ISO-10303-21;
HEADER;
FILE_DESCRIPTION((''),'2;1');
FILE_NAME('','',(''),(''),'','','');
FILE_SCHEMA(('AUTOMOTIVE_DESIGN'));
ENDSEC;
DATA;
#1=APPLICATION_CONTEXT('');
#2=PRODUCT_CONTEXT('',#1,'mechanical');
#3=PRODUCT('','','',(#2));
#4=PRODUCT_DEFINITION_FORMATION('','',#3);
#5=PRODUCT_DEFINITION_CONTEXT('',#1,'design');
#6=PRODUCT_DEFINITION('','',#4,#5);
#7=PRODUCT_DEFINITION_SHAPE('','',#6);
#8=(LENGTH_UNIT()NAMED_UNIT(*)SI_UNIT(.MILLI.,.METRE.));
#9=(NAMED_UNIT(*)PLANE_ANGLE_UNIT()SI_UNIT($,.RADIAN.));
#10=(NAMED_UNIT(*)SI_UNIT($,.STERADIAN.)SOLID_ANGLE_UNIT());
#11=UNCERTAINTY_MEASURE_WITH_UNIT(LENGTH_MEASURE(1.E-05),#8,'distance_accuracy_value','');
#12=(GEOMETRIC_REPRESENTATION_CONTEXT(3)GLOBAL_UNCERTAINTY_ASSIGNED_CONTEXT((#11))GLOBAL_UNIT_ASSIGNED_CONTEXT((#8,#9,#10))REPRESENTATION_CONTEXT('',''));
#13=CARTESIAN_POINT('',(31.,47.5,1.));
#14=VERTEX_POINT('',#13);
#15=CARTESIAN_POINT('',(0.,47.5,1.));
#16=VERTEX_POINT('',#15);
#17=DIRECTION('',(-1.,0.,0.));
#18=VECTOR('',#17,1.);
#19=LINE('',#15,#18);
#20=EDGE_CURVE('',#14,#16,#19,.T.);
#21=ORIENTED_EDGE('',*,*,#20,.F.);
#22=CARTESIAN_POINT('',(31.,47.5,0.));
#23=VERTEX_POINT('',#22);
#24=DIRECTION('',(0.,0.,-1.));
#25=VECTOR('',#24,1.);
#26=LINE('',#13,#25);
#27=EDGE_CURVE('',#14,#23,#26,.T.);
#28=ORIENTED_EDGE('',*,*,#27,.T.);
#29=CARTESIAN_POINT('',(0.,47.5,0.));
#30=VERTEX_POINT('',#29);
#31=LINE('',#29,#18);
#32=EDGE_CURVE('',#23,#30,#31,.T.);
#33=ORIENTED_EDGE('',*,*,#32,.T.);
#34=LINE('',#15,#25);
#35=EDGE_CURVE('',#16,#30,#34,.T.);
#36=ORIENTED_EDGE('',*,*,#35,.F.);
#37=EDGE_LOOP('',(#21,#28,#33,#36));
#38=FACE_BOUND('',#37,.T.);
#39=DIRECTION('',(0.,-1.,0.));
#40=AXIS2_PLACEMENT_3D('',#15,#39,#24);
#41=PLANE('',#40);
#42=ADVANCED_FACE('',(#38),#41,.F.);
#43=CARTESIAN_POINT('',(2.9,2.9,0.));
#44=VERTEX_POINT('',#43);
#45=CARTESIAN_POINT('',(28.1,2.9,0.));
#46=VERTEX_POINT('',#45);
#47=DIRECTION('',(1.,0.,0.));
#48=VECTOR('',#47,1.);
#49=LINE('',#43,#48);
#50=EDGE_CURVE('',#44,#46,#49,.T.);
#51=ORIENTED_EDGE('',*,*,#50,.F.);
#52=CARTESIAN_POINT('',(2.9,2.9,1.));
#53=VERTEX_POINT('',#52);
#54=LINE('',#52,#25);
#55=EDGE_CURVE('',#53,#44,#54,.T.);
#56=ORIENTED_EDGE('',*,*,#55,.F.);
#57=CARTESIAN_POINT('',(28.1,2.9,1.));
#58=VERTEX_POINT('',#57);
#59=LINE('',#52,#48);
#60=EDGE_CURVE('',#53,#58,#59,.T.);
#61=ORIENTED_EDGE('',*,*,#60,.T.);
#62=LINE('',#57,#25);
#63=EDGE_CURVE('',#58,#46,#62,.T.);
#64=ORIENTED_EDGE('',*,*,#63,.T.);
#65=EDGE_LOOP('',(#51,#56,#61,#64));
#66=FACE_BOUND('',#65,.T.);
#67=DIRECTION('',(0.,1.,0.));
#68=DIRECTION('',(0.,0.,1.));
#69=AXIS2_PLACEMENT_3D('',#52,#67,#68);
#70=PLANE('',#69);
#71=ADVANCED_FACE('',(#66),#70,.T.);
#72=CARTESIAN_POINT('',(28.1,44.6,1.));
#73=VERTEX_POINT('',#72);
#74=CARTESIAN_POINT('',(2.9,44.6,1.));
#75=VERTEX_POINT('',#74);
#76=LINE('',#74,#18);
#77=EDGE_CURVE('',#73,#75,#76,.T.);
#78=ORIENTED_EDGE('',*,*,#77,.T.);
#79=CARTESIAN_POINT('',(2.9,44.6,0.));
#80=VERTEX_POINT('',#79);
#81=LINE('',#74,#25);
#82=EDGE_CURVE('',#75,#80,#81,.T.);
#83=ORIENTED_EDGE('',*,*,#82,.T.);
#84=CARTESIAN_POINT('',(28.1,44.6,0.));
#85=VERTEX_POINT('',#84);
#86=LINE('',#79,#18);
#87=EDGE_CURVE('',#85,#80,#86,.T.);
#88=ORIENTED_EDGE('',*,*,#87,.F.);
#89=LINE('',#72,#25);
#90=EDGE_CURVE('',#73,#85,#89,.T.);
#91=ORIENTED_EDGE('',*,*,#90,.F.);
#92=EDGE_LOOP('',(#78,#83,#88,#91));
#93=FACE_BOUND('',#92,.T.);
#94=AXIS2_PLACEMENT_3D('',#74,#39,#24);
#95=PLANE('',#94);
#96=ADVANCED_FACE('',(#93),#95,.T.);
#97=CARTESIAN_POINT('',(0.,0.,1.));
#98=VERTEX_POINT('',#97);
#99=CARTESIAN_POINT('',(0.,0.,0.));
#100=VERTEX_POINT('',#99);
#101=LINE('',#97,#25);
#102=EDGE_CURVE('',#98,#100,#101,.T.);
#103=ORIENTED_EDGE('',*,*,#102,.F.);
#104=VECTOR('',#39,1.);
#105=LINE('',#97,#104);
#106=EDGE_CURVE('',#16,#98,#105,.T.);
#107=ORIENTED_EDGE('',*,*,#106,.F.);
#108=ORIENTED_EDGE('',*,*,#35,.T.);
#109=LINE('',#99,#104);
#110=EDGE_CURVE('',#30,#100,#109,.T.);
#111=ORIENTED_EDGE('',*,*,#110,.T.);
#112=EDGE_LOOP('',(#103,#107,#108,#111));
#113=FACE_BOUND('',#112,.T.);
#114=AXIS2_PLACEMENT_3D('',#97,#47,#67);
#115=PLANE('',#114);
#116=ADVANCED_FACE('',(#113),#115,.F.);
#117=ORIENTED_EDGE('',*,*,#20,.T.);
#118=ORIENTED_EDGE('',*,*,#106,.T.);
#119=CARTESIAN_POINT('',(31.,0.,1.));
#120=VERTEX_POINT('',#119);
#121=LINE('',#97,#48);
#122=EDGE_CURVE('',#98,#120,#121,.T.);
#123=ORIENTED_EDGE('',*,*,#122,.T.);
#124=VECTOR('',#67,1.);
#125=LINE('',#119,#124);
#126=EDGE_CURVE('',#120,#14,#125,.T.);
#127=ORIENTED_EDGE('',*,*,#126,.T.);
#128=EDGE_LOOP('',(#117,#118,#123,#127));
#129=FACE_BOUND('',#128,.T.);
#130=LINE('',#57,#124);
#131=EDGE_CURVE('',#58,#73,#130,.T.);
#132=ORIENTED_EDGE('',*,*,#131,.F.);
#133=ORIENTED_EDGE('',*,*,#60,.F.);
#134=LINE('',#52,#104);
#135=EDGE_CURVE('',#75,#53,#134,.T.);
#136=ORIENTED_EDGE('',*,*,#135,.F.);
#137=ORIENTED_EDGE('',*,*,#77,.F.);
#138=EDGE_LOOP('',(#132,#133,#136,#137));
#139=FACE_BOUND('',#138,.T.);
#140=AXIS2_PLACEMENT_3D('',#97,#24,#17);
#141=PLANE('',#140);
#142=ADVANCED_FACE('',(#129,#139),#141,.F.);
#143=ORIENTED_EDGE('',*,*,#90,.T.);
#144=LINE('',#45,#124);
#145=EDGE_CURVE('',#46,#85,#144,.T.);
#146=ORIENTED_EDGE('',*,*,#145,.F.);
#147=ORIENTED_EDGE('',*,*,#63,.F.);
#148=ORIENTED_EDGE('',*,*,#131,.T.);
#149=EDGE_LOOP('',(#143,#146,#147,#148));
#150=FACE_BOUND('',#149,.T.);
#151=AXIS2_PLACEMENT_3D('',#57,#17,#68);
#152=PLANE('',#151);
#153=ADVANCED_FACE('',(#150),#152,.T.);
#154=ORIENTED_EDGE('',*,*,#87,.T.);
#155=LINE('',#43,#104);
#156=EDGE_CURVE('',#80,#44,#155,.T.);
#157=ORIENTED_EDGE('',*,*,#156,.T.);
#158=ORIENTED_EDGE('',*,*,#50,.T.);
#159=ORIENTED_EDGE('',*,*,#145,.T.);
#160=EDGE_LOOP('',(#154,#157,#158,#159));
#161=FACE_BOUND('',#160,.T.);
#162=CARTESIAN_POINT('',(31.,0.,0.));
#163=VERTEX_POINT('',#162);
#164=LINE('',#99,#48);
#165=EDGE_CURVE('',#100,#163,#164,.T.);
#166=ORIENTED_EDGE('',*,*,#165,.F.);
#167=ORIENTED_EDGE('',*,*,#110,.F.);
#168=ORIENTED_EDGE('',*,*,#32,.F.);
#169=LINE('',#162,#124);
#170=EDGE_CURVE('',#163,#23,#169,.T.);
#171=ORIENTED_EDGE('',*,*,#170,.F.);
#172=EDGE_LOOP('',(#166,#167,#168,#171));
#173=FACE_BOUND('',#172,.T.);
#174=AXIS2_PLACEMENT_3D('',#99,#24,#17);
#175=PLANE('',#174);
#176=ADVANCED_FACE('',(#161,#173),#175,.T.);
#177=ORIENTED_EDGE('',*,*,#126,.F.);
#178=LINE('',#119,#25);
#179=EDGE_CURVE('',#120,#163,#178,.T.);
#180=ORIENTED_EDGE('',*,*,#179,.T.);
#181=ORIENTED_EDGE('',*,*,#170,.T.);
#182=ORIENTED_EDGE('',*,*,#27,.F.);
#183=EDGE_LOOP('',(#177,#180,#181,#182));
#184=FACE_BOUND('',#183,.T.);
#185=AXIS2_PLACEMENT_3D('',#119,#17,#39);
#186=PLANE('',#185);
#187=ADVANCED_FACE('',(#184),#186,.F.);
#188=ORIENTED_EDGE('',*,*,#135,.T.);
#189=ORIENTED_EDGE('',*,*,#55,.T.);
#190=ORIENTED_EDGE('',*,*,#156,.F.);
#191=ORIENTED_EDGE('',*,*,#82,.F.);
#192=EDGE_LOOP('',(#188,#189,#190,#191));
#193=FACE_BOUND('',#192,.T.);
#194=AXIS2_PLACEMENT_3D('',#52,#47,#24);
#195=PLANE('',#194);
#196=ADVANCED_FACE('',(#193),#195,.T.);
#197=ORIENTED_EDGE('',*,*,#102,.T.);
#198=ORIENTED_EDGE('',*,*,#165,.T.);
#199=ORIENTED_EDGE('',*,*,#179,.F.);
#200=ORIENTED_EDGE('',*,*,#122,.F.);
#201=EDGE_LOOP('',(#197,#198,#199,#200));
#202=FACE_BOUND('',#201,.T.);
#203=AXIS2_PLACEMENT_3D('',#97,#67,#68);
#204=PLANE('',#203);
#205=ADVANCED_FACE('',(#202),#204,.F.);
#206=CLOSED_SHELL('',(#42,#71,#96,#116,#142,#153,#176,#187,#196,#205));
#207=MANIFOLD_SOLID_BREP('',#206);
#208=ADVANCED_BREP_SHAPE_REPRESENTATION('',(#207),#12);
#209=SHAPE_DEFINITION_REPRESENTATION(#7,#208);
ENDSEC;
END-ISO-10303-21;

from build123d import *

# Parameters (mm, degrees)
ESBO_O1_W                = 31
ESBO_O1_H                = 47.5
ESBO_O1_W_2              = 25.2
ESBO_O1_H_2              = 41.7
RESSALTO_EXTRUS_O1_DEPTH = 1


with BuildPart() as part:
    # Esboço1 → Ressalto-extrusão1 (new body)
    with BuildSketch(Plane.XY):
        with Locations((15.5, 23.75)):
            Rectangle(ESBO_O1_W, ESBO_O1_H)
        with Locations((15.5, 23.75)):
            Rectangle(ESBO_O1_W_2, ESBO_O1_H_2, mode=Mode.SUBTRACT)
    extrude(amount=RESSALTO_EXTRUS_O1_DEPTH)


solid = part.part
